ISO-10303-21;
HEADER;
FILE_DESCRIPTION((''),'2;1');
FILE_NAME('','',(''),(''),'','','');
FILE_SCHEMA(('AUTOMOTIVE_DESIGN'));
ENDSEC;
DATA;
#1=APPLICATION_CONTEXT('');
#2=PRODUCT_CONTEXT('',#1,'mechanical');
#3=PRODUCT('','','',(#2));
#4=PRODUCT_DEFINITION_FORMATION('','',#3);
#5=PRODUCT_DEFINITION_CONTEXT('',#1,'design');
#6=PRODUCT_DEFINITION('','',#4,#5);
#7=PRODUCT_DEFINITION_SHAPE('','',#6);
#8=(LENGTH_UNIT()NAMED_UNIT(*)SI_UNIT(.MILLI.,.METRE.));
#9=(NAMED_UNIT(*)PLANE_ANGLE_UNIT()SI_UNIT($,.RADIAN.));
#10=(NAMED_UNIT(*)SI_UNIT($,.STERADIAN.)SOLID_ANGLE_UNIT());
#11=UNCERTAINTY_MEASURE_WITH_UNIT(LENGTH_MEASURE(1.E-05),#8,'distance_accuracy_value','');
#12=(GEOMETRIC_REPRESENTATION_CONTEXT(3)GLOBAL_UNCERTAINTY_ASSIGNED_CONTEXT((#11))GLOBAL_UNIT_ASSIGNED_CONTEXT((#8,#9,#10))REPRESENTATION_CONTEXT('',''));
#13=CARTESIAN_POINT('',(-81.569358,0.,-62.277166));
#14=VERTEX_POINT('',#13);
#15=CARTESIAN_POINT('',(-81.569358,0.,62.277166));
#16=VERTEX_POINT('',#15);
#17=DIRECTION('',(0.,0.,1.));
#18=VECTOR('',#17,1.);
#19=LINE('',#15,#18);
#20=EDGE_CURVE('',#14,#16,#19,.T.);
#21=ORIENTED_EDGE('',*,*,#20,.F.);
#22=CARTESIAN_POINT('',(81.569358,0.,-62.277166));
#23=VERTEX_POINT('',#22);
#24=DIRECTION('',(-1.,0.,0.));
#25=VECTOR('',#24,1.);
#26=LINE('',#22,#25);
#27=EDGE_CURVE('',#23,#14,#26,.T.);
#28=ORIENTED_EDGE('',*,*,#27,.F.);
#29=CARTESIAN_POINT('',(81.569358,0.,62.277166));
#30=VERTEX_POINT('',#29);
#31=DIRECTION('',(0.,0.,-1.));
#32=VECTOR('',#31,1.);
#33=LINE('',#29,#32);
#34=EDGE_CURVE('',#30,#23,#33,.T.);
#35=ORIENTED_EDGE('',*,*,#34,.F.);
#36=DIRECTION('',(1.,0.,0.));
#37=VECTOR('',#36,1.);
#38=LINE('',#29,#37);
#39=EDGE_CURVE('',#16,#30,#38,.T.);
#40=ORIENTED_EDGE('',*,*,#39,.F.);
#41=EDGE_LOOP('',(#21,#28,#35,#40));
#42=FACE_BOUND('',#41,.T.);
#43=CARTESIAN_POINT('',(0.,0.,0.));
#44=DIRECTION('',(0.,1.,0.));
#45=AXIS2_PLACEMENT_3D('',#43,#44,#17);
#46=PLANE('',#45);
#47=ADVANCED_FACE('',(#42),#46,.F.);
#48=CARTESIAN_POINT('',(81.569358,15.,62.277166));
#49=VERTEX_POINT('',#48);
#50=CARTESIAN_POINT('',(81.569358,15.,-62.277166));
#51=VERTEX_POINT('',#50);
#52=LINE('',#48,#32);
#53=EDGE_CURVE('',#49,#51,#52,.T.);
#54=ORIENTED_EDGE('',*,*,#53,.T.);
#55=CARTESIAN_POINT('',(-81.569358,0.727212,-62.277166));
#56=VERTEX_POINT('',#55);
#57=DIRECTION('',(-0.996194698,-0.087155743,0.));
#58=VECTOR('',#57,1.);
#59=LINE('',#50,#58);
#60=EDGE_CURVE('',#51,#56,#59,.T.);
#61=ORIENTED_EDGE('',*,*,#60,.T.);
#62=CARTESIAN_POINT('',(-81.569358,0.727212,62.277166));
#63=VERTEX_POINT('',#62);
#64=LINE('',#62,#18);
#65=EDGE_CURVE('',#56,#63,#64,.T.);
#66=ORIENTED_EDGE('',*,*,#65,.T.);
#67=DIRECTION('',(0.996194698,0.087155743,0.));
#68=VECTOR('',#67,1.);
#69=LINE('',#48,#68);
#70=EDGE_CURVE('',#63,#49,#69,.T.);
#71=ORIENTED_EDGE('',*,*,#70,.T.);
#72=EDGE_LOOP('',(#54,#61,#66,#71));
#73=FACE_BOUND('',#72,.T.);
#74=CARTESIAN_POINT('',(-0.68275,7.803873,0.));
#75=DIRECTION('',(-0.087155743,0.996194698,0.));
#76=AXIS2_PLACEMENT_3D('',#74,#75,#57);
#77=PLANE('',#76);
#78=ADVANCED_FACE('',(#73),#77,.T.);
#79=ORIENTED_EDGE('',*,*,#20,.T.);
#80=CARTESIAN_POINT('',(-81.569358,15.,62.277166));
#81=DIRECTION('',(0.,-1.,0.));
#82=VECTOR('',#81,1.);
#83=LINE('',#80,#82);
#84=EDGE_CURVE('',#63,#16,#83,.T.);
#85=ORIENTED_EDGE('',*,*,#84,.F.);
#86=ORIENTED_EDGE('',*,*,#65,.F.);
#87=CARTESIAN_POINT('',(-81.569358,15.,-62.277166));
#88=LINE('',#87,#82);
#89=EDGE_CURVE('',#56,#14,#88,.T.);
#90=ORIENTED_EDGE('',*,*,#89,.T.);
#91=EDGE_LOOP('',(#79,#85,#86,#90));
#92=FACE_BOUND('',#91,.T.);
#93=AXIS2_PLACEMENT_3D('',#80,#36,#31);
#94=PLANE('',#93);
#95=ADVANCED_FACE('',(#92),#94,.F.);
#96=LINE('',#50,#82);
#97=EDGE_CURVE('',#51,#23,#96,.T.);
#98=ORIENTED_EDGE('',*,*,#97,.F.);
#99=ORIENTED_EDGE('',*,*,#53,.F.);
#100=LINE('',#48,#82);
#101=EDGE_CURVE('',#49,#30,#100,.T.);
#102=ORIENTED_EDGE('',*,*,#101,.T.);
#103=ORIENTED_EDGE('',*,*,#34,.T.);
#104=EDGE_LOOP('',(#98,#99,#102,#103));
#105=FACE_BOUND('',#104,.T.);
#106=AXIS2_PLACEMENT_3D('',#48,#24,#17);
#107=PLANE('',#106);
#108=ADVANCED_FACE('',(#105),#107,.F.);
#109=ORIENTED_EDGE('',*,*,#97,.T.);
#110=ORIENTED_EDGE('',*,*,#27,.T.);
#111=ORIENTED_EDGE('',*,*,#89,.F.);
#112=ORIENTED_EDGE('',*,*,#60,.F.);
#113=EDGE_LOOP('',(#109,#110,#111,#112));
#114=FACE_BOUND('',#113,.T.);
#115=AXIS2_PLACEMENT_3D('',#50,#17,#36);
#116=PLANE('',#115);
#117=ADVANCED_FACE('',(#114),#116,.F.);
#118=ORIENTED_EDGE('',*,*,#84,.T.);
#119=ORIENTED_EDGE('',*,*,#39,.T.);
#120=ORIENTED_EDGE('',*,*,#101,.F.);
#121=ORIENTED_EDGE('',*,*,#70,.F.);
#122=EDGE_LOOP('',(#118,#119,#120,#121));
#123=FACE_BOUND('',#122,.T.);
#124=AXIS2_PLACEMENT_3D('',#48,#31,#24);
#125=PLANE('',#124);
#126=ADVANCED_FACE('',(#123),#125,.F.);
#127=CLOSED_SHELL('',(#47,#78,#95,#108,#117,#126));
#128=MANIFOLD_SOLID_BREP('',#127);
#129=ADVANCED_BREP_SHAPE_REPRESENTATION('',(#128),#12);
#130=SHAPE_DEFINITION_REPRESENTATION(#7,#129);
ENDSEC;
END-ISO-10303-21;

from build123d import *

# Parameters (mm, degrees)
SKETCH1_W           = 163.138716034
SKETCH1_H           = 124.554331204
BOSS_EXTRUDE1_DEPTH = 15
SKETCH4_W           = 143.675268582
SKETCH4_H           = 189.404777192
CUT_EXTRUDE1_DEPTH  = 75


with BuildPart() as part:
    # Sketch1 → Boss-Extrude1 (new body)
    with BuildSketch(Plane(origin=(0, 0, 0), x_dir=(1, 0, 0), z_dir=(0, 1, 0))):
        Rectangle(SKETCH1_W, SKETCH1_H)
    extrude(amount=BOSS_EXTRUDE1_DEPTH)

    # Sketch4 → Cut-Extrude1 (cut)
    with BuildSketch(Plane(origin=(-0.682750416, 7.803872961, 0), x_dir=(0, 0, -1), z_dir=(-0.08715574274765835, 0.9961946980917455, 0))):
        Rectangle(SKETCH4_W, SKETCH4_H)
    extrude(amount=CUT_EXTRUDE1_DEPTH, mode=Mode.SUBTRACT)


solid = part.part
